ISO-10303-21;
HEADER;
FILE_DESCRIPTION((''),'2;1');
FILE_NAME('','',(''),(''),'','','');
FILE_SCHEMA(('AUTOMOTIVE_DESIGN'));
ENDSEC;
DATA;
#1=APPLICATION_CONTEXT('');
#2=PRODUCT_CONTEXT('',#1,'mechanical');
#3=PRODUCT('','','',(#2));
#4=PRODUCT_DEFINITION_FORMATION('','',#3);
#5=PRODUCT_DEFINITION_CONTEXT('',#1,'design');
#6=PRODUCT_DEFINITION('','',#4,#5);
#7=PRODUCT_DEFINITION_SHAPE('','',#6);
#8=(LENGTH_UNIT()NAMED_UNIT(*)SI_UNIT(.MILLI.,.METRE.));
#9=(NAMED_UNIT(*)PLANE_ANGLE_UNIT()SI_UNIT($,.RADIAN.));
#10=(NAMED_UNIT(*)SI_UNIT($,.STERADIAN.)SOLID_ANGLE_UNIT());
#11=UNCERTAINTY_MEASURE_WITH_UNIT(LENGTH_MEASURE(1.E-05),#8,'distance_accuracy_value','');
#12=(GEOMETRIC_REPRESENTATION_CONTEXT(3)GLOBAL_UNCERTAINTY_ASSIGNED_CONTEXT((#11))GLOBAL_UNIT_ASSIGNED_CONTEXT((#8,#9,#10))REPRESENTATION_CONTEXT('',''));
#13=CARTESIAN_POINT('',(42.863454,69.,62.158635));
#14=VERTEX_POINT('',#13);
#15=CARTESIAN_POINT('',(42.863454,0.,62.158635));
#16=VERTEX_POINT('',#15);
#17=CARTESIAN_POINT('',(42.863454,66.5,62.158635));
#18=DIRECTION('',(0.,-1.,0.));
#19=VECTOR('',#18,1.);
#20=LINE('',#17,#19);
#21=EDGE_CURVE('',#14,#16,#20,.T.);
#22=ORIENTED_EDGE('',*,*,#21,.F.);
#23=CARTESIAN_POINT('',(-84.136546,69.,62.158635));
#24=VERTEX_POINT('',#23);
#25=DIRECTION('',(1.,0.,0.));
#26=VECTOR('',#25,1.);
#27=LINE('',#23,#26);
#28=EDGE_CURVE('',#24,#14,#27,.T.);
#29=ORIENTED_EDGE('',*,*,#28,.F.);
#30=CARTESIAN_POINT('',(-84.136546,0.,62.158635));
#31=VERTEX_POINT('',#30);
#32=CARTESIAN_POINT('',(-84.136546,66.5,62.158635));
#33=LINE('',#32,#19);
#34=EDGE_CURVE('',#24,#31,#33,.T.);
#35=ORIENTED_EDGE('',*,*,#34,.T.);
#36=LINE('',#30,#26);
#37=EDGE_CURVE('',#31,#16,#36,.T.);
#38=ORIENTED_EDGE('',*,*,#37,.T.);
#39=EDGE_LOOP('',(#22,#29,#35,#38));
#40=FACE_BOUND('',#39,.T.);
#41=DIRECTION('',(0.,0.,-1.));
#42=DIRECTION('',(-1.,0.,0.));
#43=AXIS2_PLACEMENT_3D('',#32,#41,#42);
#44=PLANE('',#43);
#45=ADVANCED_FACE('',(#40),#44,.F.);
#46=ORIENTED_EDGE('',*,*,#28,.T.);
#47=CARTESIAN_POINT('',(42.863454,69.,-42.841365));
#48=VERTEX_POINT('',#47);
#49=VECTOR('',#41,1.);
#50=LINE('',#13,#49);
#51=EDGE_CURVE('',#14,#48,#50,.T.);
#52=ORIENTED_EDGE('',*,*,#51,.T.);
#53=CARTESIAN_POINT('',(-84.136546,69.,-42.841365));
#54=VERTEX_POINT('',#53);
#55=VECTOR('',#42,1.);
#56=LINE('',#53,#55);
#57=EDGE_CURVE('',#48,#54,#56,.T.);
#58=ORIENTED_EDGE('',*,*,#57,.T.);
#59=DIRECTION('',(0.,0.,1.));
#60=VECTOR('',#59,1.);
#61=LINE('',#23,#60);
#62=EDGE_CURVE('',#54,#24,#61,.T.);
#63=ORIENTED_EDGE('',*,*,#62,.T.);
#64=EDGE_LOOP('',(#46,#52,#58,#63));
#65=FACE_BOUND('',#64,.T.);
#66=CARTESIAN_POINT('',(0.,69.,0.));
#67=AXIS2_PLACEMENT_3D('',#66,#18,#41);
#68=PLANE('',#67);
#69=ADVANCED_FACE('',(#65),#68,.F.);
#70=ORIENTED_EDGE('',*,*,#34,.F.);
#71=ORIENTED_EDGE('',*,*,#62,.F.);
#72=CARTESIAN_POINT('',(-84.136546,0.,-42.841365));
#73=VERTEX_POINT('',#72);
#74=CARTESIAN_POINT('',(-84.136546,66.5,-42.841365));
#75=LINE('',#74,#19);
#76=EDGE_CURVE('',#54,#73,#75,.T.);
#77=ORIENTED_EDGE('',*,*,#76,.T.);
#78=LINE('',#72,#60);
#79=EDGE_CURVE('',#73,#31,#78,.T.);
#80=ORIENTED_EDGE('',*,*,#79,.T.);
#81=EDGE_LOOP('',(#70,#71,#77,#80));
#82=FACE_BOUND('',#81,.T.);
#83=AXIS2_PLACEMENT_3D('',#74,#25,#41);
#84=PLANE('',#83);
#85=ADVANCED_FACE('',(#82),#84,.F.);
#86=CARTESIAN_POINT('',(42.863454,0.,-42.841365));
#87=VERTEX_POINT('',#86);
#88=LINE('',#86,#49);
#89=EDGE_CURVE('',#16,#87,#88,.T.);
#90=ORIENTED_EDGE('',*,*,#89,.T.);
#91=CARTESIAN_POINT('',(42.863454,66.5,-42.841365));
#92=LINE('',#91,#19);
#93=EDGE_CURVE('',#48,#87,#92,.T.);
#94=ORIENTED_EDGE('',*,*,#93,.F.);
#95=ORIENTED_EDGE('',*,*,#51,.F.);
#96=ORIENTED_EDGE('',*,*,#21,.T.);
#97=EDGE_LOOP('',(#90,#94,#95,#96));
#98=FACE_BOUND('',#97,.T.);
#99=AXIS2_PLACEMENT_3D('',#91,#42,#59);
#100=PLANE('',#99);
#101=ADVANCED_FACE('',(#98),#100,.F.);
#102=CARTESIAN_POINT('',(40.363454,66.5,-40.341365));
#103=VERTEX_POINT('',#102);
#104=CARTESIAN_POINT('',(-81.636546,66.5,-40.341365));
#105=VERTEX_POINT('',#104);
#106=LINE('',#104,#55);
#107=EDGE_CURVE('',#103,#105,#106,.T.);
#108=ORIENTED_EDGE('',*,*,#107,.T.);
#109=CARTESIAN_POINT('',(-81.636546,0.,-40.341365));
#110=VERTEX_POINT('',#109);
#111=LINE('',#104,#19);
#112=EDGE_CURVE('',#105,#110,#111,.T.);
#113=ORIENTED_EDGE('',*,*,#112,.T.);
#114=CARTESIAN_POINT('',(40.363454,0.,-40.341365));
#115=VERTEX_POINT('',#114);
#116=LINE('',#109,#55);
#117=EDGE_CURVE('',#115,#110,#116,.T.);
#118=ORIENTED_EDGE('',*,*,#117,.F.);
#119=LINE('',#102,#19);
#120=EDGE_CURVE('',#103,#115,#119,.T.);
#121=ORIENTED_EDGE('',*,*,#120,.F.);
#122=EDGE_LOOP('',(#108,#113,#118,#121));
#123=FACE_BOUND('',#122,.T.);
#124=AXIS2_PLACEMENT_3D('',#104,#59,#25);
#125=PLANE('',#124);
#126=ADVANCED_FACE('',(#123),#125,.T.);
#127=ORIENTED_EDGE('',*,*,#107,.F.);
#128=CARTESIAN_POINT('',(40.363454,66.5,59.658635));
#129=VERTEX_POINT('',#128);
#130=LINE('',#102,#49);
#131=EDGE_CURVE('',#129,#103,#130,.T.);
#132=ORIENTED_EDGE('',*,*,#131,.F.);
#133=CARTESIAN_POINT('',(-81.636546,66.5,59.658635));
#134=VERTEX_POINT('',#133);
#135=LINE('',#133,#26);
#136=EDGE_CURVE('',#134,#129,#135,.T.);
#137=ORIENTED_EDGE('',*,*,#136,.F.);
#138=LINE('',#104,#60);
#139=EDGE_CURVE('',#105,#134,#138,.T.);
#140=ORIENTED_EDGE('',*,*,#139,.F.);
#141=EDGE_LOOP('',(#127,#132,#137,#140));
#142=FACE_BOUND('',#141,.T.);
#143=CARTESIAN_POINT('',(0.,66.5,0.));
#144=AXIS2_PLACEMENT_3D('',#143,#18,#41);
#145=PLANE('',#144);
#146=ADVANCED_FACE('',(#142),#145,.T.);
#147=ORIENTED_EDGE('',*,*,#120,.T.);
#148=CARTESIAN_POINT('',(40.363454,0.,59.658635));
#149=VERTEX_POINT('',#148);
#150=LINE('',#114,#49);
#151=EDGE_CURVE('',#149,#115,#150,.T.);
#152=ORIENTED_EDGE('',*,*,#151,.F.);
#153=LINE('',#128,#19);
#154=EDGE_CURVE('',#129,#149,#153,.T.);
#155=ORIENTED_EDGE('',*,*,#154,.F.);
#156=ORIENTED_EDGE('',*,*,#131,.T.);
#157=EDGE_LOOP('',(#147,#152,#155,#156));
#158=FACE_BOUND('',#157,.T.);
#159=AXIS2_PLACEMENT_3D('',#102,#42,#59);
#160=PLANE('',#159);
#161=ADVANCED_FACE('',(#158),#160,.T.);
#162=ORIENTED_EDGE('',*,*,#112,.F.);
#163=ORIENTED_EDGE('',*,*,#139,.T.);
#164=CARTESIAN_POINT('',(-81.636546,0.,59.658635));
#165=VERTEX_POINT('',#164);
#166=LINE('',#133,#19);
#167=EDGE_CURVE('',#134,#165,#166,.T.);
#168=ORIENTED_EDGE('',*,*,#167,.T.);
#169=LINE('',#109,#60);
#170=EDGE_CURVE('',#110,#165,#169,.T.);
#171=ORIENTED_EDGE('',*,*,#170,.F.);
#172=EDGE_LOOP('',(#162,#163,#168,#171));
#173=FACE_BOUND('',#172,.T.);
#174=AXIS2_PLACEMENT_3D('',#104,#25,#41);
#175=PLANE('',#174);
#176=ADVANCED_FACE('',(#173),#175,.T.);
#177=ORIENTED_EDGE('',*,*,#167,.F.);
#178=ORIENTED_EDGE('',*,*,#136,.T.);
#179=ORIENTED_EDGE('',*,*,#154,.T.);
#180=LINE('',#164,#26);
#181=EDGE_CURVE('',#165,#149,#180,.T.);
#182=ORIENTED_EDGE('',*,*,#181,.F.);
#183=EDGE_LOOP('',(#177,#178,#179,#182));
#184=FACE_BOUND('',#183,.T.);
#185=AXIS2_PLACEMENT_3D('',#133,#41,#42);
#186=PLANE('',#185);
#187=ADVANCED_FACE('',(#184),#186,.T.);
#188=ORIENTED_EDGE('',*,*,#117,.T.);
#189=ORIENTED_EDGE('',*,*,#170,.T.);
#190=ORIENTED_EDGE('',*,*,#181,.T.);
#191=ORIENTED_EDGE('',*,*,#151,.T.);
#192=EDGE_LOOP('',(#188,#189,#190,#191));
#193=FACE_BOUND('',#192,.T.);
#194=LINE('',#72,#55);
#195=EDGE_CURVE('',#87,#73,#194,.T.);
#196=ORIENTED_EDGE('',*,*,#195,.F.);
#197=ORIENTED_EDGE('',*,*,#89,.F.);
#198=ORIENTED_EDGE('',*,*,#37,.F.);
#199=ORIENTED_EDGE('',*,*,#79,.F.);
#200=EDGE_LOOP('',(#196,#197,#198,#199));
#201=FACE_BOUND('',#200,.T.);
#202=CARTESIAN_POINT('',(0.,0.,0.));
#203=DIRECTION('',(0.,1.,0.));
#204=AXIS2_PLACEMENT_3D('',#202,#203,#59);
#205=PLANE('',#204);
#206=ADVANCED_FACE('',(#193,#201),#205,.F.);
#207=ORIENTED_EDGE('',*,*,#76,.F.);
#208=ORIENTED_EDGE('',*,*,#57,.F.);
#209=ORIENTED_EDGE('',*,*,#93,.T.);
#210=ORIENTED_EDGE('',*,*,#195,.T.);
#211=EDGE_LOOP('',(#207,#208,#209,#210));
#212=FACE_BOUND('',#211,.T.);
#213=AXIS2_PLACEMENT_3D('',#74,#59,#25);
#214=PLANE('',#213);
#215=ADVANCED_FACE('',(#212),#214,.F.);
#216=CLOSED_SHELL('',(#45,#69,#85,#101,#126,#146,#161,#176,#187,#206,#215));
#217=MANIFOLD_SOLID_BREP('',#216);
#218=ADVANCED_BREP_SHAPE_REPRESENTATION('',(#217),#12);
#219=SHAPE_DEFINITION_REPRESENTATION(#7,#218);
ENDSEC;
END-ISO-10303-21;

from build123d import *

# Parameters (mm, degrees)
SKETCH1_W           = 127
SKETCH1_H           = 105
SKETCH1_W_2         = 122
SKETCH1_H_2         = 100
BOSS_EXTRUDE3_DEPTH = 66.5
SKETCH4_W           = 127
SKETCH4_H           = 105
BOSS_EXTRUDE4_DEPTH = 2.5


with BuildPart() as part:
    # Sketch1 → Boss-Extrude3 (new body)
    with BuildSketch(Plane(origin=(0, 0, 0), x_dir=(1, 0, 0), z_dir=(0, 1, 0))):
        with Locations((-20.636546185, -9.658634538)):
            Rectangle(SKETCH1_W, SKETCH1_H)
        with Locations((-20.636546185, -9.658634538)):
            Rectangle(SKETCH1_W_2, SKETCH1_H_2, mode=Mode.SUBTRACT)
    extrude(amount=BOSS_EXTRUDE3_DEPTH)

    # Sketch4 → Boss-Extrude4 (add)
    with BuildSketch(Plane(origin=(0, 66.5, 0), x_dir=(1, 0, 0), z_dir=(0, 1, 0))):
        with Locations((-20.636546185, -9.658634538)):
            Rectangle(SKETCH4_W, SKETCH4_H)
    extrude(amount=BOSS_EXTRUDE4_DEPTH)


solid = part.part
